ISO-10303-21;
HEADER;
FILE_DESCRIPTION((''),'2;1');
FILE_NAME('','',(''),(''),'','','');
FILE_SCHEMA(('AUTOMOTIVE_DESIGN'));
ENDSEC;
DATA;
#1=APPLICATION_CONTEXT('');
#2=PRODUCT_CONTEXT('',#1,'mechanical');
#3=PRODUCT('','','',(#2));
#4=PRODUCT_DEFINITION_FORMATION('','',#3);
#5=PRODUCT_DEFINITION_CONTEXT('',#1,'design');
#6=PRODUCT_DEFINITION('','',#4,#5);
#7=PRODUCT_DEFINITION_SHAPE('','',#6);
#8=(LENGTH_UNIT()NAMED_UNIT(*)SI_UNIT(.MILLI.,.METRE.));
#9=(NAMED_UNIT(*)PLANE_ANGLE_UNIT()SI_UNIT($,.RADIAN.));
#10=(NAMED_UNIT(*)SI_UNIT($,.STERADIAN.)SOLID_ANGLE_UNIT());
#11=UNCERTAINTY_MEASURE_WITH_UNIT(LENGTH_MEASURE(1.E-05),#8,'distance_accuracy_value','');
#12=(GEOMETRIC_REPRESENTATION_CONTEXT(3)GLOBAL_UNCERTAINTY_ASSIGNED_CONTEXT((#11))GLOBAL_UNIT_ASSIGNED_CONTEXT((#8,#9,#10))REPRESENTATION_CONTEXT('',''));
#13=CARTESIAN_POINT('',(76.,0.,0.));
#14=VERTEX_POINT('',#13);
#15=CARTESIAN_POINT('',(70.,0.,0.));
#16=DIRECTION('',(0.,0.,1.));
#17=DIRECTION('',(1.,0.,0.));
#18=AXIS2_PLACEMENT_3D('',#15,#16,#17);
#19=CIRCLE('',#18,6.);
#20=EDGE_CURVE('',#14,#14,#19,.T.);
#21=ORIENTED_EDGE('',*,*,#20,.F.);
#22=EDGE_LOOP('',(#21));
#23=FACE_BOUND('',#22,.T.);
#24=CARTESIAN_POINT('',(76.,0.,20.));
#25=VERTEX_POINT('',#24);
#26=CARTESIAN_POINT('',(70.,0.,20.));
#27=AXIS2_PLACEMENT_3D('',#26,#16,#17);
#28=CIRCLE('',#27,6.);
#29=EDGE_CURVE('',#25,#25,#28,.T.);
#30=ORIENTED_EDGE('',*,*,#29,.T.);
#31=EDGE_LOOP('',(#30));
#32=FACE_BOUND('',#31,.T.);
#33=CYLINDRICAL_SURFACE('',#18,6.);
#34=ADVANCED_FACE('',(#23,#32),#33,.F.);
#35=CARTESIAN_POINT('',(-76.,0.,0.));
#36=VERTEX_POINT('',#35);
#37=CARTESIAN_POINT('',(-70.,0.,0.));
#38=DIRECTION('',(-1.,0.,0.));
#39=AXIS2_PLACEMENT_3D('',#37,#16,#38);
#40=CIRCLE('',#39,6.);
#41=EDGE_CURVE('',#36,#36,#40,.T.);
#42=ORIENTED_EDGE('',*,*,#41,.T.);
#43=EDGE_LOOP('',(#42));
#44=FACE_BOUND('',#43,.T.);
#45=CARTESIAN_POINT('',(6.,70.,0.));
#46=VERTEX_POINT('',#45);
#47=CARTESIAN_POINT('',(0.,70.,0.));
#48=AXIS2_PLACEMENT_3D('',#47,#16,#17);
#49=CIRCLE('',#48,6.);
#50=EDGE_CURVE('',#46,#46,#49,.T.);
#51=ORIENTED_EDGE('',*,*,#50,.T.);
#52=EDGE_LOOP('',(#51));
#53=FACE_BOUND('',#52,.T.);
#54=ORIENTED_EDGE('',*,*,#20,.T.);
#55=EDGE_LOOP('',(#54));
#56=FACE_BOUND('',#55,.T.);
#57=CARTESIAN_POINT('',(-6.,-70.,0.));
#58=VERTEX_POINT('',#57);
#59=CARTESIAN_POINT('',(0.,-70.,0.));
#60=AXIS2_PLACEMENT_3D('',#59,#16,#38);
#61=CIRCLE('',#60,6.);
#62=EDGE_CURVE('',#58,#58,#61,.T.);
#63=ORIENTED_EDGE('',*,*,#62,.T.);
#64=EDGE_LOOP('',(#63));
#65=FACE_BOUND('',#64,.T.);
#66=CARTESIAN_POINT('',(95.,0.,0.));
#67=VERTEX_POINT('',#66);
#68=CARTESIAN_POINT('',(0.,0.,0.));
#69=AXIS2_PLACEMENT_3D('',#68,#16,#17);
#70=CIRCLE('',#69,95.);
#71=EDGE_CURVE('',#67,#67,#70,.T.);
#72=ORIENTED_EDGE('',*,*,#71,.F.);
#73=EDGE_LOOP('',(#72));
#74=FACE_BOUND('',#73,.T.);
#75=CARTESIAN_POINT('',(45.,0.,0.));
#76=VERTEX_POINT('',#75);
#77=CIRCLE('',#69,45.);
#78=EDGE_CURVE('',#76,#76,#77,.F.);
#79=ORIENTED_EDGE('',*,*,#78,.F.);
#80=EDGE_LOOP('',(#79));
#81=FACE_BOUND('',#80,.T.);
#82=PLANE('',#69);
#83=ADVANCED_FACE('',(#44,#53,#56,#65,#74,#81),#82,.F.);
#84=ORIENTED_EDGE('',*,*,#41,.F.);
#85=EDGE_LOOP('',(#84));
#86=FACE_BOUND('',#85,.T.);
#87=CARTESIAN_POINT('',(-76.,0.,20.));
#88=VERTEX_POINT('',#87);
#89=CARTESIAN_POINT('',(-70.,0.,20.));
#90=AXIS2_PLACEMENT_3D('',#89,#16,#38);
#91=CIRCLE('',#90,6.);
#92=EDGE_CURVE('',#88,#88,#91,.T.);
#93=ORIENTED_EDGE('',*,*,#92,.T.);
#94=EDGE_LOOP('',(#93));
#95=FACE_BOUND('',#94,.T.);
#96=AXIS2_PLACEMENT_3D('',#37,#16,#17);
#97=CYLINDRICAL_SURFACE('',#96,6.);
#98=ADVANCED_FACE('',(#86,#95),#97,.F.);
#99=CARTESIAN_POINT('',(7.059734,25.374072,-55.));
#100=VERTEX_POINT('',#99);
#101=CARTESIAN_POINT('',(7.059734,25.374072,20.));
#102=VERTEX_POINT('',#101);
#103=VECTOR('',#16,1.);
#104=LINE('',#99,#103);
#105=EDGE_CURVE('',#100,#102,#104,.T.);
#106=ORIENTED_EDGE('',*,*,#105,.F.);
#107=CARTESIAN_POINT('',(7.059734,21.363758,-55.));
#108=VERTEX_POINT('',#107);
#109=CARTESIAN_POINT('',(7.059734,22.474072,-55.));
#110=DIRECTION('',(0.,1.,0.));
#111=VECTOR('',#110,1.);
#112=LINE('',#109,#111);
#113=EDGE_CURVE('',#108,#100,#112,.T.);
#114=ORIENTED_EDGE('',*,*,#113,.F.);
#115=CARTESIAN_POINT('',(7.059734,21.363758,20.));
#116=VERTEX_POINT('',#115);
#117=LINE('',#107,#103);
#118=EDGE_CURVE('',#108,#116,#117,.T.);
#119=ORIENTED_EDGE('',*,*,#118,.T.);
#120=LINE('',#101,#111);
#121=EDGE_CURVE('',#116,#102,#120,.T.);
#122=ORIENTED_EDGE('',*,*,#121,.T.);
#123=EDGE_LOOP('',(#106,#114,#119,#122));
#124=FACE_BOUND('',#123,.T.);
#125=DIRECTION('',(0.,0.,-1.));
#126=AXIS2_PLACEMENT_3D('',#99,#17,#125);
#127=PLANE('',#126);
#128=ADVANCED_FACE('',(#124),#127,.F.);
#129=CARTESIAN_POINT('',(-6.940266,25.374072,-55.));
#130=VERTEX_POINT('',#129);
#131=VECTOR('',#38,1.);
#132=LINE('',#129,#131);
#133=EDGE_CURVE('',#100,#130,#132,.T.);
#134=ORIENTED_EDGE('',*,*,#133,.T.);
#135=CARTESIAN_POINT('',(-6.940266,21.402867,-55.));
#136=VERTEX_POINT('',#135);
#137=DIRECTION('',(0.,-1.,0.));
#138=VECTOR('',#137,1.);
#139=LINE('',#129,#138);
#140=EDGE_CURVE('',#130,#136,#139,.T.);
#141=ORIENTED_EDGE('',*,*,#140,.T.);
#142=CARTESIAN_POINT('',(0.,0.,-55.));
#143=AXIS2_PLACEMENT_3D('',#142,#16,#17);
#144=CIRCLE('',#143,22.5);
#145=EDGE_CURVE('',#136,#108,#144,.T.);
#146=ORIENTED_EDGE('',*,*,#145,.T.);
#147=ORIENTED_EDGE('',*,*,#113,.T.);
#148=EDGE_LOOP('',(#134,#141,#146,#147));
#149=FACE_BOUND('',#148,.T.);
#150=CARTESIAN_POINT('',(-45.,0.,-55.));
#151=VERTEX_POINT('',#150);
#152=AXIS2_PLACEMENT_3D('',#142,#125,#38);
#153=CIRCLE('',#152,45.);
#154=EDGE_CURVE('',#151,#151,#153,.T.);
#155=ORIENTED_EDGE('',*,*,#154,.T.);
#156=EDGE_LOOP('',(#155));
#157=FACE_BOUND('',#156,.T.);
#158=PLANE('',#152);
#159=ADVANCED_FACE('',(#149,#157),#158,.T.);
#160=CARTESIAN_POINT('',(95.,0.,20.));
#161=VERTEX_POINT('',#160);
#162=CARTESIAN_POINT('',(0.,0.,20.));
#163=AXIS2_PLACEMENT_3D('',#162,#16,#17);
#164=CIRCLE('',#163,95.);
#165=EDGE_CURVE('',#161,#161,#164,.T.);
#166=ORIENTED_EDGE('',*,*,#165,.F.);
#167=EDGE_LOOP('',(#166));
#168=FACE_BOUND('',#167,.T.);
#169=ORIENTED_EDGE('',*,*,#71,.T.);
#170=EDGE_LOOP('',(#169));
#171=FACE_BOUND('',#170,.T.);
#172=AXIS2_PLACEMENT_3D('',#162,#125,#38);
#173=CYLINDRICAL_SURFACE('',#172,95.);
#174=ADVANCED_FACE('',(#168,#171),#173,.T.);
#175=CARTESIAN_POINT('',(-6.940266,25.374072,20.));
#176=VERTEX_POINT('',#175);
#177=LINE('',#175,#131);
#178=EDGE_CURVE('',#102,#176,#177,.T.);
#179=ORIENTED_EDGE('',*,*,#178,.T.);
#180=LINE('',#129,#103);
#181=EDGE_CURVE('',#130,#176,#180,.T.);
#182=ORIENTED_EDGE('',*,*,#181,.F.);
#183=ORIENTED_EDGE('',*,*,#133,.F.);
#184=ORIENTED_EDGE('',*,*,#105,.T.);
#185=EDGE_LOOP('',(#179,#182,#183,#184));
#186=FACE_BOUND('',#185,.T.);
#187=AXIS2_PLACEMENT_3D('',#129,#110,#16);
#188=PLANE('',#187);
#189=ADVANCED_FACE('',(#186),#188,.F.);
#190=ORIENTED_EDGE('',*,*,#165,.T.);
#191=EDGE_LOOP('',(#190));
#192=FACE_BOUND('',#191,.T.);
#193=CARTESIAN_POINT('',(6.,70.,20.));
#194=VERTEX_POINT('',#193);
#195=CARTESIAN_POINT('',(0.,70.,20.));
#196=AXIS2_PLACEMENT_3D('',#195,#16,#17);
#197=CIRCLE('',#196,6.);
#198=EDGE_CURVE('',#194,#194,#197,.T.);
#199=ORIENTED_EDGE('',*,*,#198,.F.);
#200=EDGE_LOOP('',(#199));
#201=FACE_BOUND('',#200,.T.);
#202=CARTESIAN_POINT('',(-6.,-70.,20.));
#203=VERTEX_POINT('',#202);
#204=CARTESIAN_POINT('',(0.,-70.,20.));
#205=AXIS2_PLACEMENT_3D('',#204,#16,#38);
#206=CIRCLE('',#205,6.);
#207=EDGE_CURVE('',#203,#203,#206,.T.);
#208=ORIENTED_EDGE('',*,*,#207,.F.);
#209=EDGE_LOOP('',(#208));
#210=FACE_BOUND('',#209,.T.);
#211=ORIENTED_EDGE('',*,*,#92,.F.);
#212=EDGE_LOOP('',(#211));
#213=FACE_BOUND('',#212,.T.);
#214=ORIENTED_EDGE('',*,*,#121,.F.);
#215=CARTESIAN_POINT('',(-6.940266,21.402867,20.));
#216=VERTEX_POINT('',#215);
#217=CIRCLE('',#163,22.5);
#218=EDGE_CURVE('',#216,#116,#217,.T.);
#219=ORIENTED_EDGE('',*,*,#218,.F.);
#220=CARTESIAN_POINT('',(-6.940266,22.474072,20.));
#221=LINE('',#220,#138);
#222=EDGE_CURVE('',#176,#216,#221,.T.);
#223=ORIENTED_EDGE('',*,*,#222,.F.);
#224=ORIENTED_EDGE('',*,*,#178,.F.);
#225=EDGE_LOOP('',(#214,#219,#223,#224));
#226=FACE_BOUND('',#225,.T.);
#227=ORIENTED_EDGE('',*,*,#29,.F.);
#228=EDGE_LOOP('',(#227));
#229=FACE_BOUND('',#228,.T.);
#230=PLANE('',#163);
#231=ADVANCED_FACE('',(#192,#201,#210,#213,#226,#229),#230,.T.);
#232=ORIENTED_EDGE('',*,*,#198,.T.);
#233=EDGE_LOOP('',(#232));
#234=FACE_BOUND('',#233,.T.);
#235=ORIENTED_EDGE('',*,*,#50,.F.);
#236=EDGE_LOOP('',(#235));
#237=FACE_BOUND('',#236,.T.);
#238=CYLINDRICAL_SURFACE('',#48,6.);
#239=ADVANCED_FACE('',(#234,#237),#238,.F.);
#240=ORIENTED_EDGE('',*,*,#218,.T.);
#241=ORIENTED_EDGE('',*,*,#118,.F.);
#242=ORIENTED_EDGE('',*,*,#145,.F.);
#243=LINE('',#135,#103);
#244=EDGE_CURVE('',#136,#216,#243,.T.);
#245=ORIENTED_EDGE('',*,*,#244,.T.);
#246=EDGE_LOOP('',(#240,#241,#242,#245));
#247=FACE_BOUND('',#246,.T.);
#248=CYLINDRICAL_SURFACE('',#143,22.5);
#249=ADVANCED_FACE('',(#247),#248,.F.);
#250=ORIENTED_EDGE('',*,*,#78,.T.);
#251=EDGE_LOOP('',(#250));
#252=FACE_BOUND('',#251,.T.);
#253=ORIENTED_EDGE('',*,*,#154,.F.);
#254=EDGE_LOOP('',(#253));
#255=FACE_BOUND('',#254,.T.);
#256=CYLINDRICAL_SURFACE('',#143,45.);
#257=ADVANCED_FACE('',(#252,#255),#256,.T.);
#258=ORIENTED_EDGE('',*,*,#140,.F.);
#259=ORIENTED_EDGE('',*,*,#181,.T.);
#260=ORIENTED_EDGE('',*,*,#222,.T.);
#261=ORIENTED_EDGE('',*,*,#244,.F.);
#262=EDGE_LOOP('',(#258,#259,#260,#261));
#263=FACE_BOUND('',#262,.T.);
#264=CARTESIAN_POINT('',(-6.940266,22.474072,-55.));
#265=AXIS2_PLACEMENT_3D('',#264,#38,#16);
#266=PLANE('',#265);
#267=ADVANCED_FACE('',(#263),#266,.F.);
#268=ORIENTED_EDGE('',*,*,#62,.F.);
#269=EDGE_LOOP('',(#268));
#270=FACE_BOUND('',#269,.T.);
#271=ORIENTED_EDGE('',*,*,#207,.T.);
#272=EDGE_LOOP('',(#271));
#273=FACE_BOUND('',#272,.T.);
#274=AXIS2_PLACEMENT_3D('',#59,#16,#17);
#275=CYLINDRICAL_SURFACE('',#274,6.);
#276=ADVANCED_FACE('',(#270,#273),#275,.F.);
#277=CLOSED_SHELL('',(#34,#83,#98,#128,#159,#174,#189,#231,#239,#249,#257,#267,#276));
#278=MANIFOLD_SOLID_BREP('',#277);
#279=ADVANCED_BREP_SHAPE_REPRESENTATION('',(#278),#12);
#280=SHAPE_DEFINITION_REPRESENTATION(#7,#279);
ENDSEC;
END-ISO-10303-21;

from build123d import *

# Parameters (mm, degrees)
SKETCH1_R           = 95
BOSS_EXTRUDE1_DEPTH = 20
SKETCH2_R           = 6
CUT_EXTRUDE1_DEPTH  = 20
SKETCH5_R           = 45
BOSS_EXTRUDE3_DEPTH = 55
CUT_EXTRUDE2_DEPTH  = 75


with BuildPart() as part:
    # Sketch1 → Boss-Extrude1 (new body)
    with BuildSketch(Plane.XY):
        Circle(SKETCH1_R)
    extrude(amount=BOSS_EXTRUDE1_DEPTH)

    # Sketch2 → Cut-Extrude1 (cut)
    with BuildSketch(Plane.XY.offset(20)):
        with Locations((0, 70)):
            Circle(SKETCH2_R)
        with Locations((70, 0)):
            Circle(SKETCH2_R)
        with Locations(Location((0, -70, 0), (0, 0, 180))):
            Circle(SKETCH2_R)
        with Locations(Location((-70, 0, 0), (0, 0, 180))):
            Circle(SKETCH2_R)
    extrude(amount=-CUT_EXTRUDE1_DEPTH, mode=Mode.SUBTRACT)

    # Sketch5 → Boss-Extrude3 (add)
    with BuildSketch(Plane(origin=(0, 0, 0), x_dir=(-1, 0, 0), z_dir=(0, 0, -1))):
        with Locations(Location((0, 0, 0), (0, 0, 180))):
            Circle(SKETCH5_R)
    extrude(amount=BOSS_EXTRUDE3_DEPTH)

    # Sketch3 → Cut-Extrude2 (cut)
    with BuildSketch(Plane.XY.offset(20)):
        with BuildLine():
            Line((-6.940265993, 22.474071895), (-6.940265993, 21.402866816))
            ThreePointArc((-6.940265993, 21.402866816), (-0.062853214, -22.49991221), (7.059734007, 21.363757997))
            Line((7.059734007, 21.363757997), (7.059734007, 22.474071895))
            Line((7.059734007, 22.474071895), (7.059734007, 25.374071895))
            Line((7.059734007, 25.374071895), (-6.940265993, 25.374071895))
            Line((-6.940265993, 25.374071895), (-6.940265993, 22.474071895))
        make_face()
    extrude(amount=-CUT_EXTRUDE2_DEPTH, mode=Mode.SUBTRACT)


solid = part.part
